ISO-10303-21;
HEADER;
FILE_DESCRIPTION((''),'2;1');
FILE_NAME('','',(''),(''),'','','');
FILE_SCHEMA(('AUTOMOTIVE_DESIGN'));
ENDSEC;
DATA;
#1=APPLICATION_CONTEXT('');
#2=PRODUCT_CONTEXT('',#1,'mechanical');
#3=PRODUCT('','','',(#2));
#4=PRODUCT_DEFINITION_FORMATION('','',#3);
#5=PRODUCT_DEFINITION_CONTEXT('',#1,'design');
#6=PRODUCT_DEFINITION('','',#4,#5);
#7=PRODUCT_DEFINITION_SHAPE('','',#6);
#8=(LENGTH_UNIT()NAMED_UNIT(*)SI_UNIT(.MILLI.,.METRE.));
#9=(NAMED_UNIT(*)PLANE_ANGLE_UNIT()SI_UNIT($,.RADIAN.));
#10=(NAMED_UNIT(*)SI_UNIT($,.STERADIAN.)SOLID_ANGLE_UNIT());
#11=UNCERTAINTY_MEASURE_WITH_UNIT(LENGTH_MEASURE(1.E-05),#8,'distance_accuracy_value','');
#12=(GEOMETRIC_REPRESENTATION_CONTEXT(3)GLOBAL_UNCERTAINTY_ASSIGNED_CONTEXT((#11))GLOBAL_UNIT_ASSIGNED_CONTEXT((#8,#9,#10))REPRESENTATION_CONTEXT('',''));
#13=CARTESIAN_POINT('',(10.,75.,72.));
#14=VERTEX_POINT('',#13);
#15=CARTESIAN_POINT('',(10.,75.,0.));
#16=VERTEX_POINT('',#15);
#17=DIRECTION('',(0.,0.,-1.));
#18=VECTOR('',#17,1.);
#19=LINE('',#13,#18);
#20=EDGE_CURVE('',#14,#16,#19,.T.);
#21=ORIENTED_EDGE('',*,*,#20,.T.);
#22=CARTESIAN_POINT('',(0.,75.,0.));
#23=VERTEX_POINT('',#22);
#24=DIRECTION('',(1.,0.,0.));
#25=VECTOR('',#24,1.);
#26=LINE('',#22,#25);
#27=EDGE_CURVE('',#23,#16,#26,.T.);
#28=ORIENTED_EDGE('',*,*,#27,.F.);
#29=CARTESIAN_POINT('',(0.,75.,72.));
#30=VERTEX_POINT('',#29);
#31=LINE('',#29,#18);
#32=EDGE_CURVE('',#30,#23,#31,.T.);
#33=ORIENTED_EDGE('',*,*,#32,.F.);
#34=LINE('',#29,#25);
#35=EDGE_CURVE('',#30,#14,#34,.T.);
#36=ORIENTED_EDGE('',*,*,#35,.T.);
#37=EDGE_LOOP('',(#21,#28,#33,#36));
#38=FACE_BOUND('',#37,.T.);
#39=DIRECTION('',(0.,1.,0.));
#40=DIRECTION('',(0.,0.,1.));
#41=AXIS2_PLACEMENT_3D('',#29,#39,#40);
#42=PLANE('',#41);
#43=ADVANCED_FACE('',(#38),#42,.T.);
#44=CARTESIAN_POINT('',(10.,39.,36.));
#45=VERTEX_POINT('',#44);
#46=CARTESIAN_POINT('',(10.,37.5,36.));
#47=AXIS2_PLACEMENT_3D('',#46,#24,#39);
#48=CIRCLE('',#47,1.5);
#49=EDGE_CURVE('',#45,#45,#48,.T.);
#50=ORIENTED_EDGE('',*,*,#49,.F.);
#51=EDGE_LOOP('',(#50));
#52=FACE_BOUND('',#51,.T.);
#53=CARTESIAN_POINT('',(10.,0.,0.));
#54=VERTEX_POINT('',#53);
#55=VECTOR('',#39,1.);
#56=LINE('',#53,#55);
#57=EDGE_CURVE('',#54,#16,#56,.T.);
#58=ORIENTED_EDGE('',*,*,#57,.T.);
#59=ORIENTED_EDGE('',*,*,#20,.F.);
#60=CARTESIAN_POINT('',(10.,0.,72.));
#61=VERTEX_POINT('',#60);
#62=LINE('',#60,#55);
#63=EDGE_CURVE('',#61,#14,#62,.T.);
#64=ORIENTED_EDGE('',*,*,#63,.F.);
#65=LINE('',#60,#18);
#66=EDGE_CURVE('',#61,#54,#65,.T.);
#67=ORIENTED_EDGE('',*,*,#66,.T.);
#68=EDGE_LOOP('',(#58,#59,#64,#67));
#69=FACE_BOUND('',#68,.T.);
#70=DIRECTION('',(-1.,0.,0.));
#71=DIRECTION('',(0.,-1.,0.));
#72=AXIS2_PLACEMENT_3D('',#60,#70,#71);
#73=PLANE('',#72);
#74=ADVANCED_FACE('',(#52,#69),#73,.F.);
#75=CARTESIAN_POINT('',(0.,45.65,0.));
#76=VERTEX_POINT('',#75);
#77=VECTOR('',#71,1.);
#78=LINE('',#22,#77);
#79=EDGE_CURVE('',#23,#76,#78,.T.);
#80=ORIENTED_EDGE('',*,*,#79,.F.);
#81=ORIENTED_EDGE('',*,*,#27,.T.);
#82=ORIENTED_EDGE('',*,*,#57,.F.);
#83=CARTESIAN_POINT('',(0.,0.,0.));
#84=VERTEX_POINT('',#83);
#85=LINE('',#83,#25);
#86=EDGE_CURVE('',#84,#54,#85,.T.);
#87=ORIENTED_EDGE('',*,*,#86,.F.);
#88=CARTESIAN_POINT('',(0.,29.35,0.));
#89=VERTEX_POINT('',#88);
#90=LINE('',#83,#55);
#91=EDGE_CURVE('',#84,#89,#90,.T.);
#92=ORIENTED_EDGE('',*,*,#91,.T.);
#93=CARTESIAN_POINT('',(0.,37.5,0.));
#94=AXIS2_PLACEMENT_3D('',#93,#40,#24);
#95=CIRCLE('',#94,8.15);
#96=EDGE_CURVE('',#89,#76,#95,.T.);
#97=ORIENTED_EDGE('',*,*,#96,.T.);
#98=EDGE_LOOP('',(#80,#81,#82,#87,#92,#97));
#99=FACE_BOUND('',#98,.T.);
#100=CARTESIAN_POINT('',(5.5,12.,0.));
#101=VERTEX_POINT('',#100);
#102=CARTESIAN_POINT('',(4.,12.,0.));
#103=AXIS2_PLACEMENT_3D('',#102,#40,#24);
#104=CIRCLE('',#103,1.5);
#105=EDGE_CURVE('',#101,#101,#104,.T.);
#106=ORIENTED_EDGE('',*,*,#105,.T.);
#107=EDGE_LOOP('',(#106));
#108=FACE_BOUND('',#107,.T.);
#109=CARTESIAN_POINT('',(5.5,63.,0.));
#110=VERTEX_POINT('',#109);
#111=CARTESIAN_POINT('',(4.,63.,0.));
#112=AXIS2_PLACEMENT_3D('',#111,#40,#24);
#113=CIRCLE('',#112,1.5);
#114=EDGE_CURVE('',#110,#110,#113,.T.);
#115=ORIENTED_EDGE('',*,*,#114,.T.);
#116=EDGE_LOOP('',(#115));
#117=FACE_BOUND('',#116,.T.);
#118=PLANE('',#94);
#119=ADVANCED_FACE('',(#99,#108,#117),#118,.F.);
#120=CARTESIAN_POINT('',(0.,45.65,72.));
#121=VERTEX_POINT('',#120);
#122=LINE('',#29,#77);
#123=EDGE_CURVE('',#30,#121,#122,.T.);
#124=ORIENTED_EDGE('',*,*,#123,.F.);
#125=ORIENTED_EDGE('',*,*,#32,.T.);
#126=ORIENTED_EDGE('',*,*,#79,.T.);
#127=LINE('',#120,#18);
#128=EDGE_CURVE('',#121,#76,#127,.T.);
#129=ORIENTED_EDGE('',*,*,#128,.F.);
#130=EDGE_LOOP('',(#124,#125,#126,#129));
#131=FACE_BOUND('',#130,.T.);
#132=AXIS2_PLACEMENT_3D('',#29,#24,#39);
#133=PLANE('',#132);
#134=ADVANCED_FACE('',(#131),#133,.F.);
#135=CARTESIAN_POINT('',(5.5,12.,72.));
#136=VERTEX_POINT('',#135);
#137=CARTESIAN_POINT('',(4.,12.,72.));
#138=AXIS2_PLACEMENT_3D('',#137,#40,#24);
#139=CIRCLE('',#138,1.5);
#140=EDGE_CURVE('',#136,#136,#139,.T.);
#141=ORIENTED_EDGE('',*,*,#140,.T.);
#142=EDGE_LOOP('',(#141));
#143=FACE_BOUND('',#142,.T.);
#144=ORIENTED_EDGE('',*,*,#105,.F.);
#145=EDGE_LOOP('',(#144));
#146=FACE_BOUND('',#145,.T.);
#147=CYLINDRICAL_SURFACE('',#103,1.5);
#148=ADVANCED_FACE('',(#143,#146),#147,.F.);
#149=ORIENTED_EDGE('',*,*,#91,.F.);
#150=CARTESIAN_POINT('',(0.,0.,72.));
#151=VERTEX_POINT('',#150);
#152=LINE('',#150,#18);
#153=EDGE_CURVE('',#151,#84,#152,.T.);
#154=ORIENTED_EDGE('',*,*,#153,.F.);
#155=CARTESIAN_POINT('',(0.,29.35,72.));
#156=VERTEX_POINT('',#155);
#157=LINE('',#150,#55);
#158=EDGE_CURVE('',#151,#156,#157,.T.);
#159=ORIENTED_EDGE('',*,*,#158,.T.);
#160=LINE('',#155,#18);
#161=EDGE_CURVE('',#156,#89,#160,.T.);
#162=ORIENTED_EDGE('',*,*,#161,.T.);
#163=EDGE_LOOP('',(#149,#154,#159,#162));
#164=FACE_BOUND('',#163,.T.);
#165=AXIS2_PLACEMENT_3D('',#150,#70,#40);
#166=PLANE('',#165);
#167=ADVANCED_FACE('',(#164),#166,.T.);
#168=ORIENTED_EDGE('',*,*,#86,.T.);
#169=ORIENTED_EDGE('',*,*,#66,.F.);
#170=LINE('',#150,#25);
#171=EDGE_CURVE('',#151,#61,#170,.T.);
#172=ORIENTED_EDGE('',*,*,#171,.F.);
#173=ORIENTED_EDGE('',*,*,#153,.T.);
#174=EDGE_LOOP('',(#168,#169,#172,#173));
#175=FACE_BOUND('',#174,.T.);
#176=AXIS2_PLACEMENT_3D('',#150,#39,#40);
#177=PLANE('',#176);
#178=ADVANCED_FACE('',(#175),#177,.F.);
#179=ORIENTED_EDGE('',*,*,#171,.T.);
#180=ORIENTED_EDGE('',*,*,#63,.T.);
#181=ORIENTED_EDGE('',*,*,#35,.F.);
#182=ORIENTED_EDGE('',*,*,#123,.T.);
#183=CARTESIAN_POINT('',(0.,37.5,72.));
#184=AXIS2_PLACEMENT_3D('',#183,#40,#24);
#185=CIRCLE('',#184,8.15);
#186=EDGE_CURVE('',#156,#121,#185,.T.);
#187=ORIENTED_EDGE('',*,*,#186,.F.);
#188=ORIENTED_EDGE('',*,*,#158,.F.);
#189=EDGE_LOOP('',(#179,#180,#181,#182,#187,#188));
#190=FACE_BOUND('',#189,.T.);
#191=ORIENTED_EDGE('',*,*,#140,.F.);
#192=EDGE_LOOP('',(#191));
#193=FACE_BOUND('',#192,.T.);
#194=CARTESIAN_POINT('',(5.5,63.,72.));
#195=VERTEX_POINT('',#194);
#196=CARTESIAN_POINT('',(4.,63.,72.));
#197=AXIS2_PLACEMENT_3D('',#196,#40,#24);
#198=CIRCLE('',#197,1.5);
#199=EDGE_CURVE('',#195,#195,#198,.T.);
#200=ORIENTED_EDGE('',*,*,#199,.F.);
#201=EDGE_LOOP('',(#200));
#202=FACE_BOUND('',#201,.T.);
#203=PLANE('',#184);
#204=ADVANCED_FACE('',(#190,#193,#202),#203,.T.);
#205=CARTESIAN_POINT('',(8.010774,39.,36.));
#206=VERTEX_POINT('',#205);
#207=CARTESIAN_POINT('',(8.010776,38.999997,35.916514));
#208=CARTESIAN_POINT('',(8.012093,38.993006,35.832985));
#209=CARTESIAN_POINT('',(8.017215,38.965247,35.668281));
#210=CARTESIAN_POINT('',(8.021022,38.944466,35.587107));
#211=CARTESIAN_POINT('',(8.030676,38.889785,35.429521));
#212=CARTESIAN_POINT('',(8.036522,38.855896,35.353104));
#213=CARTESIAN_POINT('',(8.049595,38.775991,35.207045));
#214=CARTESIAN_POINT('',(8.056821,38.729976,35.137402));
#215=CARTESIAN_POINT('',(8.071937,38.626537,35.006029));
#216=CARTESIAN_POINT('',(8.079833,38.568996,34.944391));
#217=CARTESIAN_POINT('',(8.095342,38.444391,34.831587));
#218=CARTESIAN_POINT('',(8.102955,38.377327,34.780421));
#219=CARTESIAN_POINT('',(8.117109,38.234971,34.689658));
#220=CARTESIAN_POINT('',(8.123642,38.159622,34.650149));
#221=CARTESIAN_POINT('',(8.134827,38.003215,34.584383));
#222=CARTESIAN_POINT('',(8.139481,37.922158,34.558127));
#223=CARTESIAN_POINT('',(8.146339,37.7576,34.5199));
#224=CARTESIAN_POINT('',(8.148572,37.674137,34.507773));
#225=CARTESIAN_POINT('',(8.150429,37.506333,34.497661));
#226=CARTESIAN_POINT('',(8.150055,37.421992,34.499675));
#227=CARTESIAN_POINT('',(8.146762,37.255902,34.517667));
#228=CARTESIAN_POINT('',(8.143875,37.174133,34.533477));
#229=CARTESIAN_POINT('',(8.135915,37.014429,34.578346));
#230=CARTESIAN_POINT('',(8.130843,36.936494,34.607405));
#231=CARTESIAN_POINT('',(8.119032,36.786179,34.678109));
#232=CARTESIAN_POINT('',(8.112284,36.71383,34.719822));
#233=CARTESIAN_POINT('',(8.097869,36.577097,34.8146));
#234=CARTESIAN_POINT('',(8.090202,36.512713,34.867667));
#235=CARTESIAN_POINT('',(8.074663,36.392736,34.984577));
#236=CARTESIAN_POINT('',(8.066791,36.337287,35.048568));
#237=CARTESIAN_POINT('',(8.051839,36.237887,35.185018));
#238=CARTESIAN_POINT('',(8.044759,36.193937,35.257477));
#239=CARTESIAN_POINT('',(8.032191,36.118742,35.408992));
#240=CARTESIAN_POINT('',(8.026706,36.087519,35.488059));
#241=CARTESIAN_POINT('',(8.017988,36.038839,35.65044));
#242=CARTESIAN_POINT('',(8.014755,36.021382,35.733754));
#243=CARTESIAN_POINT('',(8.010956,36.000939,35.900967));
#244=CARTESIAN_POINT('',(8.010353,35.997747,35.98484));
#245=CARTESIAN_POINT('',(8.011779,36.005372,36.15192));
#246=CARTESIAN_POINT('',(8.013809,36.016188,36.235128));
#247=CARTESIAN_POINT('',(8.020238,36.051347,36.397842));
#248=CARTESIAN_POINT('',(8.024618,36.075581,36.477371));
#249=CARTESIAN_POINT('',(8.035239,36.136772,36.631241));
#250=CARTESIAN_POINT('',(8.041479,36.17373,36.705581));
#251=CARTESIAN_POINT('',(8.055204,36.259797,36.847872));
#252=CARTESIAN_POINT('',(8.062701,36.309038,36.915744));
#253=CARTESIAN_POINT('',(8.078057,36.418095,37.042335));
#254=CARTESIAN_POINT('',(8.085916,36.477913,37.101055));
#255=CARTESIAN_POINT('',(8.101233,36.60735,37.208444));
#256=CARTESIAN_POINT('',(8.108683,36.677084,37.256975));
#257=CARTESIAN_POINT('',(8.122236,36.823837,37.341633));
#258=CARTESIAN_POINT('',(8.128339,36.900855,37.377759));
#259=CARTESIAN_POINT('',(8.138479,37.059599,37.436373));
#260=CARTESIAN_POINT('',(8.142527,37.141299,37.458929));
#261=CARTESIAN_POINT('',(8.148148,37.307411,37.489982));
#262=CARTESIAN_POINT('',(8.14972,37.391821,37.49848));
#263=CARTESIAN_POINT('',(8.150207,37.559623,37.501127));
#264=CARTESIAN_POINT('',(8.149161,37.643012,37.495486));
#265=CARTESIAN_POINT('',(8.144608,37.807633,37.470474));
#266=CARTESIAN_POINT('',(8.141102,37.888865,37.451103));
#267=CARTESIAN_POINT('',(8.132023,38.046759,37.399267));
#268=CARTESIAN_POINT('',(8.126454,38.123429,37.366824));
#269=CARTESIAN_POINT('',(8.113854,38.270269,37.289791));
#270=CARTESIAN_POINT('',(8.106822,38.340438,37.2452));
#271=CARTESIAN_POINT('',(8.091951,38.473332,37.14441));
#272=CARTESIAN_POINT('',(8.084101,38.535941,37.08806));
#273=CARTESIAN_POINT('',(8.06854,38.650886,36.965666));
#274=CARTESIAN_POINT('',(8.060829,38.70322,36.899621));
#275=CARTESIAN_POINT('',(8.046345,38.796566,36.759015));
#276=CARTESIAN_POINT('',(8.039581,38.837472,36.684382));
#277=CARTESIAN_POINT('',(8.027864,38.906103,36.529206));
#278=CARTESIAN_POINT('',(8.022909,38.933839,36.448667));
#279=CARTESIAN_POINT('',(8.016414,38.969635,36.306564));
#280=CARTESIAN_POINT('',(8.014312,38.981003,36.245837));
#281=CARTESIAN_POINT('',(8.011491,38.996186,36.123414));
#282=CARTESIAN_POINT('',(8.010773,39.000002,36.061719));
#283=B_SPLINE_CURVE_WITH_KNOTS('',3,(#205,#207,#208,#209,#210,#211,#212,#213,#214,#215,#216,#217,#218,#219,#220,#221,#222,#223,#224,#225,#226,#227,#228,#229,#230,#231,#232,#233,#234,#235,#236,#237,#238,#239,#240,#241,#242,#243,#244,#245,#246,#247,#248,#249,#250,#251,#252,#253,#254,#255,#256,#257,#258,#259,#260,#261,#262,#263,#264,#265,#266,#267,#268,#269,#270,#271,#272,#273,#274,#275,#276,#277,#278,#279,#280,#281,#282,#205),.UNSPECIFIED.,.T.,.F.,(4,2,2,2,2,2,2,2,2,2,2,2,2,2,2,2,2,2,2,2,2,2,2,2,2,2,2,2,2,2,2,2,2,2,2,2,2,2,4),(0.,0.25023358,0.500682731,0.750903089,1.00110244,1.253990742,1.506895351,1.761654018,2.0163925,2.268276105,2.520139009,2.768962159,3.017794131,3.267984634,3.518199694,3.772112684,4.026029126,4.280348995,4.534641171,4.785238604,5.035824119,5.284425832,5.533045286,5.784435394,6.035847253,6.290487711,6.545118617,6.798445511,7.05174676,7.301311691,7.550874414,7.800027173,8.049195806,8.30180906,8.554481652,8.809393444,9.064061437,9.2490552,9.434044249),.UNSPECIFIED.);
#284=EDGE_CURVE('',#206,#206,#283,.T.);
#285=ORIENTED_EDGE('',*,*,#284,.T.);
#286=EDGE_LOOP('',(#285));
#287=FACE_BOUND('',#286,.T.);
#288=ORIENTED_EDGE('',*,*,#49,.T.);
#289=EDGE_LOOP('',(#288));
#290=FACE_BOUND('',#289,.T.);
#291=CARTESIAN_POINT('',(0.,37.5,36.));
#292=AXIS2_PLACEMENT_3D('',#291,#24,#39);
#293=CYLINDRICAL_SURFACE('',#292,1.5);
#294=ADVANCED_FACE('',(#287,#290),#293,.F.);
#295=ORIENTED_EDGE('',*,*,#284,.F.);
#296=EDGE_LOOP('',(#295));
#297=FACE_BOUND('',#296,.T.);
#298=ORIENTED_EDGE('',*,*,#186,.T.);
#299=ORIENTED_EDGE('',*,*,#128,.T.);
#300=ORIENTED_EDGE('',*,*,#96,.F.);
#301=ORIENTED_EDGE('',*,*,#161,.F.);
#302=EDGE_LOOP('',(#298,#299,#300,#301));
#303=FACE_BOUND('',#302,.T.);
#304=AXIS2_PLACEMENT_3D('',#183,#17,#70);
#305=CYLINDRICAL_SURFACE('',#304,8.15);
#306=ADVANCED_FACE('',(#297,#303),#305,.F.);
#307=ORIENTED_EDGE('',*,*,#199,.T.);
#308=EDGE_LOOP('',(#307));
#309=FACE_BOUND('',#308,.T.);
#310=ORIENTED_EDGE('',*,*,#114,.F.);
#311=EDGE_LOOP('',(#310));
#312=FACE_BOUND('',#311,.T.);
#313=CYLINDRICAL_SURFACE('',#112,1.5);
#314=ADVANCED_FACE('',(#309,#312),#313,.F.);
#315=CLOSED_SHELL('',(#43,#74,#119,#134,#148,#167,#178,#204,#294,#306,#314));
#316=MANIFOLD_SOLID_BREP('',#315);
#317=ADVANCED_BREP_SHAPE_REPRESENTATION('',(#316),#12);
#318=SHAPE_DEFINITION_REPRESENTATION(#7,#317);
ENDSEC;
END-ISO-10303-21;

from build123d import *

# Parameters (mm, degrees)
SALIENTE_EXTRUIR1_DEPTH = 72
CROQUIS2_R              = 1.5
CORTAR_EXTRUIR1_DEPTH   = 73
CROQUIS3_R              = 1.5
CORTAR_EXTRUIR2_DEPTH   = 11


with BuildPart() as part:
    # Croquis1 → Saliente-Extruir1 (new body)
    with BuildSketch(Plane.XY):
        with BuildLine():
            Line((0, 0), (10, 0))
            Line((10, 0), (10, 75))
            Line((10, 75), (0, 75))
            Line((0, 75), (0, 45.65))
            ThreePointArc((0, 45.65), (8.15, 37.5), (0, 29.35))
            Line((0, 29.35), (0, 0))
        make_face()
    extrude(amount=SALIENTE_EXTRUIR1_DEPTH)

    # Croquis2 → Cortar-Extruir1 (cut, through all)
    with BuildSketch(Plane.XY.offset(72)):
        with Locations((4, 63)):
            Circle(CROQUIS2_R)
        with Locations((4, 12)):
            Circle(CROQUIS2_R)
    extrude(amount=-CORTAR_EXTRUIR1_DEPTH, mode=Mode.SUBTRACT)

    # Croquis3 → Cortar-Extruir2 (cut, through all)
    with BuildSketch(Plane(origin=(10, 0, 0), x_dir=(0, 0, -1), z_dir=(1, 0, 0))):
        with Locations(Location((-36, 37.5, 0), (0, 0, 90))):  # turned: the seam where the file's is
            Circle(CROQUIS3_R)
    extrude(amount=-CORTAR_EXTRUIR2_DEPTH, mode=Mode.SUBTRACT)


solid = part.part
